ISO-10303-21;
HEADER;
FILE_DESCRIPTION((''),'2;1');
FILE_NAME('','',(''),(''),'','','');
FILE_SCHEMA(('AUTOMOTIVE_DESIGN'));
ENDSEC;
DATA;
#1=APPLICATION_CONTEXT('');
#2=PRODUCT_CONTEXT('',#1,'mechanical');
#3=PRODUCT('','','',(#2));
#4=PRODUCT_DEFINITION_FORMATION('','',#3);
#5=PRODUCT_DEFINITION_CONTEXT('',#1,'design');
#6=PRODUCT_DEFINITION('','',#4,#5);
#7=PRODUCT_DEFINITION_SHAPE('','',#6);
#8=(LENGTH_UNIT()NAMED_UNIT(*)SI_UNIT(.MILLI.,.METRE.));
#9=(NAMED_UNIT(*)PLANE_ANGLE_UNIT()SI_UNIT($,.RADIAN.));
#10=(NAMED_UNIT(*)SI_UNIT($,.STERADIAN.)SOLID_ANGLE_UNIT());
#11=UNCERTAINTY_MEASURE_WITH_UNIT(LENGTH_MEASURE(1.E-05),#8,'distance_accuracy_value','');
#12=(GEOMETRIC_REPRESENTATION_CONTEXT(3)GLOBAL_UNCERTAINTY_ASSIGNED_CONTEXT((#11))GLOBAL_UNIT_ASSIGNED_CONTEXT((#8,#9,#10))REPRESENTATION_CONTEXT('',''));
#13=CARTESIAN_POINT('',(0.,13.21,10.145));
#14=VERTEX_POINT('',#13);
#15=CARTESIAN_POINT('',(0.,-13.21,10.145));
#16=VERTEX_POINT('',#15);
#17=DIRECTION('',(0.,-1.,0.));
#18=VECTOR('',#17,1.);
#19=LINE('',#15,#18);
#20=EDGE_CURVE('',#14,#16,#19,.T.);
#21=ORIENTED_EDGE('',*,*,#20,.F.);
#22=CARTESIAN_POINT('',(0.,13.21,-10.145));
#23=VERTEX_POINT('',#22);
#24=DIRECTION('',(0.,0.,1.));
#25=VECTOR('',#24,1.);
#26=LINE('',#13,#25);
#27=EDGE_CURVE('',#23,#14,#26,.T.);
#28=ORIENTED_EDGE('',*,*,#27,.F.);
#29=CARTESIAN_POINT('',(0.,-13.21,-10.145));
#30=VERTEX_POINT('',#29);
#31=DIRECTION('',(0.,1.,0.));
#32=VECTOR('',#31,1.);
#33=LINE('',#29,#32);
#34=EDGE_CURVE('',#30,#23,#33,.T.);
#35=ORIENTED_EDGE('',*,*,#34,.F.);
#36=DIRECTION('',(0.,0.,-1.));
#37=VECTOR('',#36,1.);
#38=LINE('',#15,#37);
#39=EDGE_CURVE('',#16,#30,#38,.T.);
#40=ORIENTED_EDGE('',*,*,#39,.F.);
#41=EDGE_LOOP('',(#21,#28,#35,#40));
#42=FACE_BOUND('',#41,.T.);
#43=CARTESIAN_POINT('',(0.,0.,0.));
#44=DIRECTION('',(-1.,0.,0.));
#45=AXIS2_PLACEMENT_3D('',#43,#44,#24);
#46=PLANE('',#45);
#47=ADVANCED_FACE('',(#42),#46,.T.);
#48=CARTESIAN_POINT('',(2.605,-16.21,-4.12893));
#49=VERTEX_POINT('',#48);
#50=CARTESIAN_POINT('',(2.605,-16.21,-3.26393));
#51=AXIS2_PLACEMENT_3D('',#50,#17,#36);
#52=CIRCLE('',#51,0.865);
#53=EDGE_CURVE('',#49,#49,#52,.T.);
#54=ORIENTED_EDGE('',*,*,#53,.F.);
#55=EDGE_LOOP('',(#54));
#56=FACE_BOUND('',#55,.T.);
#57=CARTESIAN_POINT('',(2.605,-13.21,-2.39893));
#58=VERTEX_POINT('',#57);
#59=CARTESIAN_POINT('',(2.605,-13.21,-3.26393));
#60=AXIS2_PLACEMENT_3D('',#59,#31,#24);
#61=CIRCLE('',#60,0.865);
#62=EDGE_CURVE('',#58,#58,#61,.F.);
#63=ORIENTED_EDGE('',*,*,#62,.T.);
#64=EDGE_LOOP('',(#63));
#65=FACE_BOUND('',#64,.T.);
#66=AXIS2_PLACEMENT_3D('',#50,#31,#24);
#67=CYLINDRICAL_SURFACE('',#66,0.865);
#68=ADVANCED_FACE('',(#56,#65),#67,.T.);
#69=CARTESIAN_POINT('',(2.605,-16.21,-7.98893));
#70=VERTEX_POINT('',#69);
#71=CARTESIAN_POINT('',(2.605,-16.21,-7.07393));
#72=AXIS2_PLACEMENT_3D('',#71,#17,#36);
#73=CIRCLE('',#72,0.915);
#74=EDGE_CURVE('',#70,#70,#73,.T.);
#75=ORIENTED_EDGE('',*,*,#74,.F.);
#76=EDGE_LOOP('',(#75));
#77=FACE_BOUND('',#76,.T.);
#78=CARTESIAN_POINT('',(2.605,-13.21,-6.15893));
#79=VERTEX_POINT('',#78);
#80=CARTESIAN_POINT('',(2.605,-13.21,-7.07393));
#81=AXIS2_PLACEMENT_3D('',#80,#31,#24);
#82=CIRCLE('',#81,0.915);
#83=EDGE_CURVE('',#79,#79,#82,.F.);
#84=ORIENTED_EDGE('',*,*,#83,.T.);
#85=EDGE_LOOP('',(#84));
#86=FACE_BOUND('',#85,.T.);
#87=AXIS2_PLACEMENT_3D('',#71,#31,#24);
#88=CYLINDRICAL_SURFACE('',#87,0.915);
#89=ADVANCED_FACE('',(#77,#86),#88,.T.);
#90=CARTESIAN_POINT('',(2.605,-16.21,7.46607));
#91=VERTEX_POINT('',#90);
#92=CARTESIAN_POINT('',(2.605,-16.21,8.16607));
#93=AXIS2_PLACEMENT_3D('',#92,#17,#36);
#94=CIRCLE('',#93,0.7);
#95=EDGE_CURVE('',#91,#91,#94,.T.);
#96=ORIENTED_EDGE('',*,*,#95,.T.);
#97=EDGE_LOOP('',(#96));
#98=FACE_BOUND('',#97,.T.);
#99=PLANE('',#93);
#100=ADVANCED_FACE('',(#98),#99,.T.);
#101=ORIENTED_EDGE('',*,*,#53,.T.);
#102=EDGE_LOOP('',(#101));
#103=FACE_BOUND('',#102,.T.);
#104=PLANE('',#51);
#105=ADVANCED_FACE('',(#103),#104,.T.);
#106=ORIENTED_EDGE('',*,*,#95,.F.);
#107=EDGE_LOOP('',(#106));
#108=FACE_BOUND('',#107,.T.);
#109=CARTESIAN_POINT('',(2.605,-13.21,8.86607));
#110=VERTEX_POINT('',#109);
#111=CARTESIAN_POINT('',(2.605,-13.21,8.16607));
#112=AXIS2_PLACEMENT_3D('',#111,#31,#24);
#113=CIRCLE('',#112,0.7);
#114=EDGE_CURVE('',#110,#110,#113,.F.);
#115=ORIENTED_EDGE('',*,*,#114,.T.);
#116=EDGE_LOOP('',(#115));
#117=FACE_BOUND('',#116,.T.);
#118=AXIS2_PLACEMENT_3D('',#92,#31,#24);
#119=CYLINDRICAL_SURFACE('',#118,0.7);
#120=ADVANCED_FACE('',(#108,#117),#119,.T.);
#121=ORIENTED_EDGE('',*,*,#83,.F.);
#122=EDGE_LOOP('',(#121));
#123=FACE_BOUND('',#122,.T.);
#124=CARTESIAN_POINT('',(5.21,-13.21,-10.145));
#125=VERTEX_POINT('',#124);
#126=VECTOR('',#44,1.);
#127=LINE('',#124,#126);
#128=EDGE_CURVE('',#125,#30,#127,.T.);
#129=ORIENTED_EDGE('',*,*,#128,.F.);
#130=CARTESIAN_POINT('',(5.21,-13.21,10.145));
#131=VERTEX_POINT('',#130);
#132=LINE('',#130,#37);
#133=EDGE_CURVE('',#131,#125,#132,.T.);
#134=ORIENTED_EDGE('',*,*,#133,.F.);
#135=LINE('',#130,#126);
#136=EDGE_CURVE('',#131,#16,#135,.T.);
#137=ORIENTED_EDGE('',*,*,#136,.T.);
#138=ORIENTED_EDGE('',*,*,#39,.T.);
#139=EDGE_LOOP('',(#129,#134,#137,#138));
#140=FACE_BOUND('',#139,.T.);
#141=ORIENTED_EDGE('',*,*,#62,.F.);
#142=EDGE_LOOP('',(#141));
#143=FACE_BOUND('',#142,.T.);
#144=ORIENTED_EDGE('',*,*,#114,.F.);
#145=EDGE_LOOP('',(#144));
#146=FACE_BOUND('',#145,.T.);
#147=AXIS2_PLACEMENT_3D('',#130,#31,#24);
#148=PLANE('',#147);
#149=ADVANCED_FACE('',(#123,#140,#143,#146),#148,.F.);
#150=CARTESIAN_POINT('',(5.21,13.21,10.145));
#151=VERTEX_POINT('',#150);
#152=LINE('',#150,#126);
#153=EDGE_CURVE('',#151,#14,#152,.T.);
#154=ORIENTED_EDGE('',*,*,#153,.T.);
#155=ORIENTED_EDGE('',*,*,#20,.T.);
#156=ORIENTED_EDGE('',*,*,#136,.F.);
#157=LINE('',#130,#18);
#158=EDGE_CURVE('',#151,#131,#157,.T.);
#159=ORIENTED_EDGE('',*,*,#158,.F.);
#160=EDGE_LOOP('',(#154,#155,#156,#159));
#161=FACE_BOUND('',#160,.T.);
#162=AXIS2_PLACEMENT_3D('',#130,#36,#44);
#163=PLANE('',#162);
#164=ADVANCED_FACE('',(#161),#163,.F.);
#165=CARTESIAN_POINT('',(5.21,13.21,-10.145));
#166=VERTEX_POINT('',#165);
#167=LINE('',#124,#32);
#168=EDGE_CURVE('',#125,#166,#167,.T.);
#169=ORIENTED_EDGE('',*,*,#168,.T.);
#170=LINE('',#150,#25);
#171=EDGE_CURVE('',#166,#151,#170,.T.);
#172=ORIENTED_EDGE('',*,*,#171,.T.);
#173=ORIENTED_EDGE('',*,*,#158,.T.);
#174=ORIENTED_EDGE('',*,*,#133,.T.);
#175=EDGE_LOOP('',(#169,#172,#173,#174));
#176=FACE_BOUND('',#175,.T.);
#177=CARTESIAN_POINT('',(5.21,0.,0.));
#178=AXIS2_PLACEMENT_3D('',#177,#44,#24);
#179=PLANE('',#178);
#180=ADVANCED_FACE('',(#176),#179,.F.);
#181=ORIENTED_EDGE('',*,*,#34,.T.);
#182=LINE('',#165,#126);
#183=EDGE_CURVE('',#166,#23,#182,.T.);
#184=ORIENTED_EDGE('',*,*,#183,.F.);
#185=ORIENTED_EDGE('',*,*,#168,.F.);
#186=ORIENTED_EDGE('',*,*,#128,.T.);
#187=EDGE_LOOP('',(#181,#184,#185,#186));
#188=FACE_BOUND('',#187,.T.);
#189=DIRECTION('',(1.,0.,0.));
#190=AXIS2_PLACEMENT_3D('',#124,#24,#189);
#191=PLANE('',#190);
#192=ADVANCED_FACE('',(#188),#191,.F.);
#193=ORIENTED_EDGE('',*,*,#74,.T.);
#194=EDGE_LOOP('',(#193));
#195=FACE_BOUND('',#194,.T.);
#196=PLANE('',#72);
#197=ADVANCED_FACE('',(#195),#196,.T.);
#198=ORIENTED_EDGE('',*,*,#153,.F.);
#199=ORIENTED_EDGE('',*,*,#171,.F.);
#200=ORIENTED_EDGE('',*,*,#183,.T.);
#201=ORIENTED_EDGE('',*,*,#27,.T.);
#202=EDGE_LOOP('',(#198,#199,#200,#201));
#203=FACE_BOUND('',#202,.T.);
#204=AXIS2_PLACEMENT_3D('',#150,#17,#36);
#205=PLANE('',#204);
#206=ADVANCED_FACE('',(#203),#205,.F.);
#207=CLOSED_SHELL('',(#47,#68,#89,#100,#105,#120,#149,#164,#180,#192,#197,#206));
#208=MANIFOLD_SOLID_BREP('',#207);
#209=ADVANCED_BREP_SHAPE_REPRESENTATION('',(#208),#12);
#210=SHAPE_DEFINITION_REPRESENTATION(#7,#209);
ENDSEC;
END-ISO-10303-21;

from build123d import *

# Parameters (mm, degrees)
SKETCH1_W           = 20.29
SKETCH1_H           = 26.42
BOSS_EXTRUDE1_DEPTH = 5.21
SKETCH2_R           = 0.915
SKETCH2_R_2         = 0.865
SKETCH2_R_3         = 0.7
BOSS_EXTRUDE2_DEPTH = 3


with BuildPart() as part:
    # Sketch1 → Boss-Extrude1 (new body)
    with BuildSketch(Plane(origin=(0, 0, 0), x_dir=(0, 0, -1), z_dir=(1, 0, 0))):
        Rectangle(SKETCH1_W, SKETCH1_H)
    extrude(amount=BOSS_EXTRUDE1_DEPTH)

    # Sketch2 → Boss-Extrude2 (add)
    with BuildSketch(Plane.XZ.offset(13.21)):
        with Locations(Location((2.605, -7.073929595, 0), (0, 0, 90))):
            Circle(SKETCH2_R)
        with Locations(Location((2.605, -3.263929595, 0), (0, 0, 90))):
            Circle(SKETCH2_R_2)
        with Locations(Location((2.605, 8.166070405, 0), (0, 0, 90))):
            Circle(SKETCH2_R_3)
    extrude(amount=BOSS_EXTRUDE2_DEPTH)


solid = part.part
